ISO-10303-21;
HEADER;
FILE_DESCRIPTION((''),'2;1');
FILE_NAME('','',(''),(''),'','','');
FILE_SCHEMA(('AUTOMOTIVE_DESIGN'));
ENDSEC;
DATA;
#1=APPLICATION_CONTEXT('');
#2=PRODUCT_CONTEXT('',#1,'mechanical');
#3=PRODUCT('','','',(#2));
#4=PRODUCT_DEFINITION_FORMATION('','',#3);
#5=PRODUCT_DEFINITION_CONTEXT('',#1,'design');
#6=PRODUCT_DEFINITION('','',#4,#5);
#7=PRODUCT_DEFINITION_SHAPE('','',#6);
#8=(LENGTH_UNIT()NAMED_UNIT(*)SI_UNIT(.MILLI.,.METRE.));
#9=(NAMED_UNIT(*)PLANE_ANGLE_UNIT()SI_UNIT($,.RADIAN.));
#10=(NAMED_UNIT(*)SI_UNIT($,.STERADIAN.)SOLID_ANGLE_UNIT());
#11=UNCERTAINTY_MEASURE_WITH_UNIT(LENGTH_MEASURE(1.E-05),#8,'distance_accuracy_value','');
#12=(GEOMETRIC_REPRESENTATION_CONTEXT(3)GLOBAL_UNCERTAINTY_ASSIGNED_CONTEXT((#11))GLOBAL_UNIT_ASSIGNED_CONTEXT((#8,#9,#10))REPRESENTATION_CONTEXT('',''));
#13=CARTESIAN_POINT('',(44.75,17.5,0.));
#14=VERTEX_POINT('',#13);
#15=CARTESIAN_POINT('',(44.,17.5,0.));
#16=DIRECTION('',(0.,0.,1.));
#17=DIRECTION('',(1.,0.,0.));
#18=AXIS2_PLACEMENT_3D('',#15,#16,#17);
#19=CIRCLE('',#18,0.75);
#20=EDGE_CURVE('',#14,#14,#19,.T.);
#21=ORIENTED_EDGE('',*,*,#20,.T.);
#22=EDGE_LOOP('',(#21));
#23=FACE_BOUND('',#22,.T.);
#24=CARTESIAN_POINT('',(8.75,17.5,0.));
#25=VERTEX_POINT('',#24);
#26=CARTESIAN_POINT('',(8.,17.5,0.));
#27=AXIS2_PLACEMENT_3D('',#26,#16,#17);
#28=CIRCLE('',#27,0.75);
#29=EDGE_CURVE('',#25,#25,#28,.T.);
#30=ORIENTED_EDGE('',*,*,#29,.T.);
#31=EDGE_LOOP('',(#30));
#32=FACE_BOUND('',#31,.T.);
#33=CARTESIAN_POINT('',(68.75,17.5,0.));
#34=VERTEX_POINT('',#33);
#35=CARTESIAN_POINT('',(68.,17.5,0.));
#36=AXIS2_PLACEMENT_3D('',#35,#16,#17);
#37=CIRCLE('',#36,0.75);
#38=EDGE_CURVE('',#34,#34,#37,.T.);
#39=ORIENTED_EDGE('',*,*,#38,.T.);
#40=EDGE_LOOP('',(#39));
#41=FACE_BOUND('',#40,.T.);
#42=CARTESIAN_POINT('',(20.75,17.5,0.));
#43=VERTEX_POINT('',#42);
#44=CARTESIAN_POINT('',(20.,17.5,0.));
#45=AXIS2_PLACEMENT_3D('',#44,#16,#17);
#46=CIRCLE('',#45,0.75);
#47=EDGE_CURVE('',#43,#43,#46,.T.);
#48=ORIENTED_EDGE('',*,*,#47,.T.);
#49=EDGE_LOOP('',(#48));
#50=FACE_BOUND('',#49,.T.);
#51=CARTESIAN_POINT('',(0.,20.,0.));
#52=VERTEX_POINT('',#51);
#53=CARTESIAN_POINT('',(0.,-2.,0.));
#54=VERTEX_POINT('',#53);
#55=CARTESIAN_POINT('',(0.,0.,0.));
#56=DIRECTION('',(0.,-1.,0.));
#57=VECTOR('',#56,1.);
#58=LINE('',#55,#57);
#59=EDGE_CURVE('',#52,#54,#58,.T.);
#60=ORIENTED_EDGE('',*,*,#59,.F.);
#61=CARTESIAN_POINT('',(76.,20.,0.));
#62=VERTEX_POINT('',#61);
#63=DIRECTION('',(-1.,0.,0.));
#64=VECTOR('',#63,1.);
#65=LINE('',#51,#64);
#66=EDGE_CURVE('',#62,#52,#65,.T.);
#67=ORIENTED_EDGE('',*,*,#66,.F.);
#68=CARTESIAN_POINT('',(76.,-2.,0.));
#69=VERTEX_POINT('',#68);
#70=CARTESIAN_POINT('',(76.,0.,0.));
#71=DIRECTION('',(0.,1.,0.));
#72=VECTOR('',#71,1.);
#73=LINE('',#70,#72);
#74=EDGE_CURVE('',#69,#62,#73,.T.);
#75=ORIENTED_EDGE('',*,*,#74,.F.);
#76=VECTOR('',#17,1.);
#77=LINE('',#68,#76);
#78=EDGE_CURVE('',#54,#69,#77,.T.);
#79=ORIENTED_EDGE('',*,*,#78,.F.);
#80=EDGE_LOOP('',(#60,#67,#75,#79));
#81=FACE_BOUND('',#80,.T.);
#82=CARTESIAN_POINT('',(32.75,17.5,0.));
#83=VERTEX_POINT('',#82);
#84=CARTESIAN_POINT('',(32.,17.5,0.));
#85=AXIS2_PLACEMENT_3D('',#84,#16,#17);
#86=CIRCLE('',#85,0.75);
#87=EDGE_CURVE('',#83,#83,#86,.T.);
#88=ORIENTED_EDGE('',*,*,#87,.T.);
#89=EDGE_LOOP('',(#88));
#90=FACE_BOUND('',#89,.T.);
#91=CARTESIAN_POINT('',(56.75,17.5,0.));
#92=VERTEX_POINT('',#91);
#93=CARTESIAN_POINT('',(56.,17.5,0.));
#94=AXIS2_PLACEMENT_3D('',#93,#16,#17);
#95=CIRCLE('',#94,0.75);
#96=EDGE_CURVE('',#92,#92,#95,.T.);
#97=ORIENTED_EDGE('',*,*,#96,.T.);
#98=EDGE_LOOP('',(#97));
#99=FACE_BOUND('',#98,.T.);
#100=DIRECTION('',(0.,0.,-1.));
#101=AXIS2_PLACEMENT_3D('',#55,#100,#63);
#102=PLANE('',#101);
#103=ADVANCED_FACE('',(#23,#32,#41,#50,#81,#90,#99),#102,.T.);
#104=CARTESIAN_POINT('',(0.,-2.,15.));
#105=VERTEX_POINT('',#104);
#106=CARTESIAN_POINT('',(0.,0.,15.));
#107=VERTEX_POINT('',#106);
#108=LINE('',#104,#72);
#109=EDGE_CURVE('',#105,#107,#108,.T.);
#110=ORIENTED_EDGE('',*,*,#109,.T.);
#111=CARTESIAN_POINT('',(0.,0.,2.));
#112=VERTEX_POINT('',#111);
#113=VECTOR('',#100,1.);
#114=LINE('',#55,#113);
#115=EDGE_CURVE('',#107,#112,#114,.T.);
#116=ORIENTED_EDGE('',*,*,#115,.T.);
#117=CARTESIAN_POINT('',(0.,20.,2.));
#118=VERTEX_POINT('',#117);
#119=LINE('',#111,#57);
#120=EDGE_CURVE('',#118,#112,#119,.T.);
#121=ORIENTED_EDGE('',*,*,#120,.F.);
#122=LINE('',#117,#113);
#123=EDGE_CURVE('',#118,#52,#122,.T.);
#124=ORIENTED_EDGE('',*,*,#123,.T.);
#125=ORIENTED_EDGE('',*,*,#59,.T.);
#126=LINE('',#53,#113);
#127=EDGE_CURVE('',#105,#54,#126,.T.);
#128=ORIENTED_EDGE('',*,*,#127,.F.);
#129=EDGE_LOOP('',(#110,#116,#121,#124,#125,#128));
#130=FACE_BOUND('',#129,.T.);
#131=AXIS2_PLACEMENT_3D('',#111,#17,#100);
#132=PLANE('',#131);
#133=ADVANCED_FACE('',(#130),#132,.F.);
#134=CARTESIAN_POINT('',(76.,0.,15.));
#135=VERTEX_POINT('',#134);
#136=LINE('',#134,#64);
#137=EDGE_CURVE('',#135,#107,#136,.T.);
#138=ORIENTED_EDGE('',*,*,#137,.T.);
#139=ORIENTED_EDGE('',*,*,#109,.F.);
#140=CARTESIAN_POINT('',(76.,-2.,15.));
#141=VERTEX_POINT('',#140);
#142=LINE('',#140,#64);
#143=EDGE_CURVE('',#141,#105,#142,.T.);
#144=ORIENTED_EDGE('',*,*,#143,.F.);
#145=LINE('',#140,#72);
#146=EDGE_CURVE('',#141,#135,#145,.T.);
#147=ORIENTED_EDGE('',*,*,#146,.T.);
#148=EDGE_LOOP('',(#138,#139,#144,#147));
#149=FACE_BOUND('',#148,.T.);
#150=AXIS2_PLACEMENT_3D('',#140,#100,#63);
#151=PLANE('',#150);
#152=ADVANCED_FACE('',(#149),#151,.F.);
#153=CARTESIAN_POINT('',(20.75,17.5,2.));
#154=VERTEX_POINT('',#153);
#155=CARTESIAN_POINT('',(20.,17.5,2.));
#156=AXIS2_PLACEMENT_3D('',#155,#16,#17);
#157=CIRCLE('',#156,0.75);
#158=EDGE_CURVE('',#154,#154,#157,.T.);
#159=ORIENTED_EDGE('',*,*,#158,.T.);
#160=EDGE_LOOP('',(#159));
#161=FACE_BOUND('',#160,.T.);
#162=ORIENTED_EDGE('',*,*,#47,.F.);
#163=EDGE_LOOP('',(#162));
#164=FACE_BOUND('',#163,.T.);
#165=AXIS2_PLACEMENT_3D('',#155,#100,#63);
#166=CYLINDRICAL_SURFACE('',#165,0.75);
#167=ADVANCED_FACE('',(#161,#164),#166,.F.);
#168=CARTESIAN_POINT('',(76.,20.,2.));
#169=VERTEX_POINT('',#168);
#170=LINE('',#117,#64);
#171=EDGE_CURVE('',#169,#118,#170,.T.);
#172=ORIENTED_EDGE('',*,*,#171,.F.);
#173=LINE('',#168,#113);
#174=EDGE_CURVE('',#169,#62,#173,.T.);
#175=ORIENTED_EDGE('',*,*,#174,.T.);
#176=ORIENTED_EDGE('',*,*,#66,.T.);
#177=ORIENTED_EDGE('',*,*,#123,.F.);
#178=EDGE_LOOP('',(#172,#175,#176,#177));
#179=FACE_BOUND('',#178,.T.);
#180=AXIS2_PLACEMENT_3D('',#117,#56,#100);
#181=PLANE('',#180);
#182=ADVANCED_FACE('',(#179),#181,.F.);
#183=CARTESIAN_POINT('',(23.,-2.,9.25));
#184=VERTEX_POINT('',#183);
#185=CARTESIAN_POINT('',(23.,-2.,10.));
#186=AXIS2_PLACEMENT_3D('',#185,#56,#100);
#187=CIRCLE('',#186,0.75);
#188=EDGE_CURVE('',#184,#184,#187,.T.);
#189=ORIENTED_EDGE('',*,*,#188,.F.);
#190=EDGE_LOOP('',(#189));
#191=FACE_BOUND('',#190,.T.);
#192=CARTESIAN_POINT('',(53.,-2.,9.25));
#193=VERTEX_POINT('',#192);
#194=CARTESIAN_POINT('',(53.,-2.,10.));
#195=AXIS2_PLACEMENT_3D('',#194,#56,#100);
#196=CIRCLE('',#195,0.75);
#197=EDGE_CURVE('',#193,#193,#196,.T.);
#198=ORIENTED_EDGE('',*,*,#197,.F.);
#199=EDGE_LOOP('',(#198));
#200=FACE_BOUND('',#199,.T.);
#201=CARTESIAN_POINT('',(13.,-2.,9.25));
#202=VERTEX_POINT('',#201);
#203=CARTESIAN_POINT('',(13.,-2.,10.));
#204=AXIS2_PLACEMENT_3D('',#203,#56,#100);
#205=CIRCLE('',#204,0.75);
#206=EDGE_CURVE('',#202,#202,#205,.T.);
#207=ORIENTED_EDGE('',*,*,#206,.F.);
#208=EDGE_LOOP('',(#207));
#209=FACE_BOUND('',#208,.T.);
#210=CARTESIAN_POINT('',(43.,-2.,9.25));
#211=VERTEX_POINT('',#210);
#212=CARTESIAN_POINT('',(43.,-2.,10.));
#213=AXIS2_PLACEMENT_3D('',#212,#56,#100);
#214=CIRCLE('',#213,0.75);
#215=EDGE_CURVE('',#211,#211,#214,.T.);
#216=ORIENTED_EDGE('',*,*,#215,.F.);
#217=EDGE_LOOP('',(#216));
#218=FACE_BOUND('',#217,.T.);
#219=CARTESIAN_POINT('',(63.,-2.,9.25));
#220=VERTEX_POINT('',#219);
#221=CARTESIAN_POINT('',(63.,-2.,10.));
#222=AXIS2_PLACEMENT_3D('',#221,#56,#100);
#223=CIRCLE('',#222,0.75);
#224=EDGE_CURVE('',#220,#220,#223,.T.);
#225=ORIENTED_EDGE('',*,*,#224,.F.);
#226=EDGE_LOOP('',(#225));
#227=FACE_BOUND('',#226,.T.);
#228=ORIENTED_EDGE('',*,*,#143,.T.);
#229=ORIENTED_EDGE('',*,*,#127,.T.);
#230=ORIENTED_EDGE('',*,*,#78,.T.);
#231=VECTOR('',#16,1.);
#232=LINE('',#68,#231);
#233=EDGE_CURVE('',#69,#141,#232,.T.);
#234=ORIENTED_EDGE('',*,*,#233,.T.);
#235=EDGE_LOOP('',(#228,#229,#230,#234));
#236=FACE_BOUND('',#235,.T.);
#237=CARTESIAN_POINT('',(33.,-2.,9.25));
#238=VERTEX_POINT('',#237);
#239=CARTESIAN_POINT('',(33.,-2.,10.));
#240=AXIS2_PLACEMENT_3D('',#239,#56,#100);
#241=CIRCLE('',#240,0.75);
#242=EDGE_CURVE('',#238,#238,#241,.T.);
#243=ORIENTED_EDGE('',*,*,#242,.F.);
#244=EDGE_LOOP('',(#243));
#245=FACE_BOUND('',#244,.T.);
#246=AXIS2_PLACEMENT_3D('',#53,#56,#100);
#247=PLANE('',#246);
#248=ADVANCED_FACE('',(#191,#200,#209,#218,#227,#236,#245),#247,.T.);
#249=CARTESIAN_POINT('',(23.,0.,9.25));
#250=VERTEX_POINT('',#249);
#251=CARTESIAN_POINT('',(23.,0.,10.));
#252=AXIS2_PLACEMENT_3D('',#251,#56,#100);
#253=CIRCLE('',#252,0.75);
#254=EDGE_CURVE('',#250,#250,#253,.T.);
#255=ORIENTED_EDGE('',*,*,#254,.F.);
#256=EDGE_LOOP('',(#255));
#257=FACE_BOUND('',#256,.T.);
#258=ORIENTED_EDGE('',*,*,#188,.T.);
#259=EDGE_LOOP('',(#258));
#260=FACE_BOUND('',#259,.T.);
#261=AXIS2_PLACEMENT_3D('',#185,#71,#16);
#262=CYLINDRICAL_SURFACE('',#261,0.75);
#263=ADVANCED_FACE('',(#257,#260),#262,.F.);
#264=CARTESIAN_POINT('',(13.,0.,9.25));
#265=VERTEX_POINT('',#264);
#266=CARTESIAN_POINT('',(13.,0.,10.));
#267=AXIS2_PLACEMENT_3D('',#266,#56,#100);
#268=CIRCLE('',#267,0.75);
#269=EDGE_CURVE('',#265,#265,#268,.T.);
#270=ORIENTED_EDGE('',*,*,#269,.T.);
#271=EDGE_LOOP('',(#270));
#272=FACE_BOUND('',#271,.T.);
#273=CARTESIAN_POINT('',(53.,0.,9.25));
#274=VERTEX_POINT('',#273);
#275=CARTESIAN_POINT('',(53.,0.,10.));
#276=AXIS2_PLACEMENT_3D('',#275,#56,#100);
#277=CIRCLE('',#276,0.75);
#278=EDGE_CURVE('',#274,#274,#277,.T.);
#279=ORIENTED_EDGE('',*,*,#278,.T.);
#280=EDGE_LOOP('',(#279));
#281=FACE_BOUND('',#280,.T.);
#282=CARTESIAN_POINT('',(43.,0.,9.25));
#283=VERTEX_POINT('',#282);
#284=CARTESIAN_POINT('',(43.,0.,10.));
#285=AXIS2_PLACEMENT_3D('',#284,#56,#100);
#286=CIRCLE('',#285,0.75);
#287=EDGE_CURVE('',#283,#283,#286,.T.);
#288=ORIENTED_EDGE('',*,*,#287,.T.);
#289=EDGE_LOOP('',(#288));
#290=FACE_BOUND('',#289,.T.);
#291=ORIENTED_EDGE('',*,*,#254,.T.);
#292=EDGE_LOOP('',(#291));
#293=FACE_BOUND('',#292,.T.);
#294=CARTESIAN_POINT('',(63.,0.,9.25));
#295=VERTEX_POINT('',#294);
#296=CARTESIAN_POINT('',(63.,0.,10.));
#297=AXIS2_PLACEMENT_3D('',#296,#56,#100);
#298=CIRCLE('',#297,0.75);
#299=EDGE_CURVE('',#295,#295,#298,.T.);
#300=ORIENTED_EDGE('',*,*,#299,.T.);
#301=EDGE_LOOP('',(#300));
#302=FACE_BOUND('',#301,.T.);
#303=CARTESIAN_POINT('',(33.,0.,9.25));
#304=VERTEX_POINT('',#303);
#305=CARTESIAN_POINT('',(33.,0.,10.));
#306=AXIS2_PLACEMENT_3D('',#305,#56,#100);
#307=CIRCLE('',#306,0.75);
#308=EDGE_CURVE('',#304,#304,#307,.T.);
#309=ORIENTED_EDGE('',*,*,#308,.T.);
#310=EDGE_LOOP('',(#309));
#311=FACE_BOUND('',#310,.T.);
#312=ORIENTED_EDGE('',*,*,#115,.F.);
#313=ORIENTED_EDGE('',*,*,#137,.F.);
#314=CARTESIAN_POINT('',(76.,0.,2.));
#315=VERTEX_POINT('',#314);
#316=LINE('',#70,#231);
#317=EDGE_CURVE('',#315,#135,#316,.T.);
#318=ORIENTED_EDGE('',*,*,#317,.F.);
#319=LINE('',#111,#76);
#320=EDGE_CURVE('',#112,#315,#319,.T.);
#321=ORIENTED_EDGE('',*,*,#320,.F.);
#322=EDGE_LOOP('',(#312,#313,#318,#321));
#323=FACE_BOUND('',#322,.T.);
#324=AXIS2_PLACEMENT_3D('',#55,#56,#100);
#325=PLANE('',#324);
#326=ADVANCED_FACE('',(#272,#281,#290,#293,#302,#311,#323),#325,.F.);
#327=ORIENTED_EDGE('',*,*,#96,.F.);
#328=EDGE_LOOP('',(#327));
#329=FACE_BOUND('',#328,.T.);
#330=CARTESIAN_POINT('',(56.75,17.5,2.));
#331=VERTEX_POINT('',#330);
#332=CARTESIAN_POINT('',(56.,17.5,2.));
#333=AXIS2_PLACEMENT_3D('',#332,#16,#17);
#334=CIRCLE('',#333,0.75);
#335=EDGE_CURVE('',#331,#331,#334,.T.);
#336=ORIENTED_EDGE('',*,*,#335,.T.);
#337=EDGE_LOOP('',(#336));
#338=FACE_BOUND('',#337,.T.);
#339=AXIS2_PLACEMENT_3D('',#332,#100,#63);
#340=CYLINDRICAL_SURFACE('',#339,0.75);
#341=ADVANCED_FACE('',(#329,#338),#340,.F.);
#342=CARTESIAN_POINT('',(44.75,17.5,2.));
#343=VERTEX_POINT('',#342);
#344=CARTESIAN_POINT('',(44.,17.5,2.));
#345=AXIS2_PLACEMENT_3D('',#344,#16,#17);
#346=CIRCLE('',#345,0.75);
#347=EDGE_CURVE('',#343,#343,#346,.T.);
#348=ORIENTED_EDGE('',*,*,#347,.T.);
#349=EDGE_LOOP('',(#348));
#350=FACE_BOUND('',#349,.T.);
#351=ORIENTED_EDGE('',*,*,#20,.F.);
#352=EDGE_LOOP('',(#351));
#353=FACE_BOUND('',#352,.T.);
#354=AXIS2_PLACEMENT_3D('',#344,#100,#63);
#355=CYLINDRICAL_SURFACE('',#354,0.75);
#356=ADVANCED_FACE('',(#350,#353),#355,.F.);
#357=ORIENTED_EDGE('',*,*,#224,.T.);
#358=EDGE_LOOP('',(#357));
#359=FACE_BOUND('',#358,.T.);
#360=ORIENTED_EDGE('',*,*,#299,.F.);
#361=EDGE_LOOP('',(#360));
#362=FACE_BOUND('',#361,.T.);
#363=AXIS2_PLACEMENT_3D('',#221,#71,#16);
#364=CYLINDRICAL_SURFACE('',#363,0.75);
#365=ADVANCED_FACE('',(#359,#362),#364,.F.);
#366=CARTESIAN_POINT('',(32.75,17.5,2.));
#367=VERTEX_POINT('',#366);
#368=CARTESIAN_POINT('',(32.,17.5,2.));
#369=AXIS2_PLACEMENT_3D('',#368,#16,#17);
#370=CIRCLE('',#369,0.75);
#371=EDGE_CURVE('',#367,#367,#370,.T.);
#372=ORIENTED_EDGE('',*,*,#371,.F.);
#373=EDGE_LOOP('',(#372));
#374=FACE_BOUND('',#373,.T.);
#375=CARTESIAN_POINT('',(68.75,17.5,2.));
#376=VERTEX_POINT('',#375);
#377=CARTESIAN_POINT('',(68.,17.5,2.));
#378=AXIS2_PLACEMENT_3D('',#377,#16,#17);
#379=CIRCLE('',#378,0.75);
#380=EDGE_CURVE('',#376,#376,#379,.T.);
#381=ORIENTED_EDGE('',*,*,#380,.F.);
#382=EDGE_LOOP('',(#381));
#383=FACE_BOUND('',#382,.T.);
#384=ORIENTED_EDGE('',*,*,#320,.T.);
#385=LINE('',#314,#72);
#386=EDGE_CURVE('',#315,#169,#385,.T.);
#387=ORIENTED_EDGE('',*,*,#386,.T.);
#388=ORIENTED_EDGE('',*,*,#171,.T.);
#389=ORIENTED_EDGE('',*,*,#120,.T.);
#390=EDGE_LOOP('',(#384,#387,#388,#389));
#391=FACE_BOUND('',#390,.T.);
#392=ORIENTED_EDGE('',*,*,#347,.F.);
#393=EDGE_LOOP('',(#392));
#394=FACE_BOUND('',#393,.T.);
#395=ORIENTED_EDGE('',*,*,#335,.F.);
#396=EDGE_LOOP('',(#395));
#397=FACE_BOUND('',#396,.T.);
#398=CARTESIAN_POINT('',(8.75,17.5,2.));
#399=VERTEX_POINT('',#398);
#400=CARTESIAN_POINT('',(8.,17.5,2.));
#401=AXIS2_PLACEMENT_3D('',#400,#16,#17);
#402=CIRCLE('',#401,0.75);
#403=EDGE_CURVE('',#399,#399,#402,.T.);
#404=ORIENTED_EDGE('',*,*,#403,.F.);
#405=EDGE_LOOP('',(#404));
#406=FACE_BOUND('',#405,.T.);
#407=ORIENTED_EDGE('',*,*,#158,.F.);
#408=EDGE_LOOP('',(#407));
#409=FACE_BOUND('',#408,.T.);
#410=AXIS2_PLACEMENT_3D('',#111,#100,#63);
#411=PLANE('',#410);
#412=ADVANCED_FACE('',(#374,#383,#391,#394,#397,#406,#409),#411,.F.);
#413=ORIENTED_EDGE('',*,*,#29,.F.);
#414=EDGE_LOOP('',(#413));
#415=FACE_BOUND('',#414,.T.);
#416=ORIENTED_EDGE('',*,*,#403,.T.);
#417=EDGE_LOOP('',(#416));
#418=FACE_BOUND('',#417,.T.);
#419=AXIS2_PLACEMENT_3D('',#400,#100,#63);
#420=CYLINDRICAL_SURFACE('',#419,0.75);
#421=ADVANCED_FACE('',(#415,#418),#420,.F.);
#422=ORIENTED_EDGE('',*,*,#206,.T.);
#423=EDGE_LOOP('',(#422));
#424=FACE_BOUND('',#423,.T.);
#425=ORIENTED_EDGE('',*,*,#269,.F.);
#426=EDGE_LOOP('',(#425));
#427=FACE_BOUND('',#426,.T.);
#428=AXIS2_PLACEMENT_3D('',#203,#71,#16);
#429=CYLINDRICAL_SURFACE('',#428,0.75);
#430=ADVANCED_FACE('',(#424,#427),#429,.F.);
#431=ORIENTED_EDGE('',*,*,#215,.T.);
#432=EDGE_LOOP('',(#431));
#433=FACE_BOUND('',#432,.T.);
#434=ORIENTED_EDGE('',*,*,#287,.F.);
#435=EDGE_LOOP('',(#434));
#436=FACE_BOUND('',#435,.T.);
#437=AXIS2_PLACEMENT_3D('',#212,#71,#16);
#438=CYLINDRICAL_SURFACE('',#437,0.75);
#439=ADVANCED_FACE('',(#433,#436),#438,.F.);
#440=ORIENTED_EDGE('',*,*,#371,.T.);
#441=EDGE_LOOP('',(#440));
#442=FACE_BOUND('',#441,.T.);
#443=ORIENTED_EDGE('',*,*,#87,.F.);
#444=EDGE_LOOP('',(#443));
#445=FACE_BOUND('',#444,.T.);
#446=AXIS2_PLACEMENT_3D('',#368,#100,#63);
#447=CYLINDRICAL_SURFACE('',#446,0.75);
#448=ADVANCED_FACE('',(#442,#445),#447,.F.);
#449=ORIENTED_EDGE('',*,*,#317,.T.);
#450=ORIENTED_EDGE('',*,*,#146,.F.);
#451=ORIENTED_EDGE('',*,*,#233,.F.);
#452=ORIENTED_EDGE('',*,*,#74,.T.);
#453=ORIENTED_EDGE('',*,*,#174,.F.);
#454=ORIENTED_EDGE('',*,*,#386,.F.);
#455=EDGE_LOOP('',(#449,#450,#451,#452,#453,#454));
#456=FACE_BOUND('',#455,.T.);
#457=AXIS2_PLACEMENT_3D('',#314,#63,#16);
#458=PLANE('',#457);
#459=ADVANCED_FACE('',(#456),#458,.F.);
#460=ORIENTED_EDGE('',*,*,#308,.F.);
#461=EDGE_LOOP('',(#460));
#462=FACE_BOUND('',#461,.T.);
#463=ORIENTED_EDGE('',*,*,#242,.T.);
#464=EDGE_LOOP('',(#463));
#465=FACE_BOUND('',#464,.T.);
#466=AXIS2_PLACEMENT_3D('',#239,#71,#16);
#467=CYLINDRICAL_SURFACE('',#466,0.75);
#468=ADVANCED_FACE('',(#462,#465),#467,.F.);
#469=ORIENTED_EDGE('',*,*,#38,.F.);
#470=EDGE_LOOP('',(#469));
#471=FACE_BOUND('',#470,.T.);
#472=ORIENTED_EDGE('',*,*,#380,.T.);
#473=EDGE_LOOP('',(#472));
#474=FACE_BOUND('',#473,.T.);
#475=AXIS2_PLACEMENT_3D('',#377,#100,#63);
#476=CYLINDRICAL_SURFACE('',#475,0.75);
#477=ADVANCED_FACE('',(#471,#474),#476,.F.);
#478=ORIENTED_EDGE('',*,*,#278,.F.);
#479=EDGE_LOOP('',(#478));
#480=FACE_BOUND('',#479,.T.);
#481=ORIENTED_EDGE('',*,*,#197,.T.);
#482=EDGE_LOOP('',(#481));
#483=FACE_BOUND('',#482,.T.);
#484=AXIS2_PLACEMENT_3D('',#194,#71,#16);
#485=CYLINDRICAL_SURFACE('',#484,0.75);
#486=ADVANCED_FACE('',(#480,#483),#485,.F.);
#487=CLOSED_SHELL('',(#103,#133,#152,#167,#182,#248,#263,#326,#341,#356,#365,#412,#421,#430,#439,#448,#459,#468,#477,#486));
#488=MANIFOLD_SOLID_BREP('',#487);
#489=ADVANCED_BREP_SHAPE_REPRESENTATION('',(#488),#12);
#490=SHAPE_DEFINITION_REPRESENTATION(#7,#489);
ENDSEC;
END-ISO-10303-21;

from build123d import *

# Parameters (mm, degrees)
SKETCH2_W           = 76
SKETCH2_H           = 20
SKETCH2_R           = 0.75
BOSS_EXTRUDE1_DEPTH = 2
SKETCH3_W           = 76
SKETCH3_H           = 15
SKETCH3_R           = 0.75
BOSS_EXTRUDE2_DEPTH = 2


with BuildPart() as part:
    # Sketch2 → Boss-Extrude1 (new body)
    with BuildSketch(Plane.XY):
        with Locations((38, 10)):
            Rectangle(SKETCH2_W, SKETCH2_H)
        with Locations((44, 17.5)):
            Circle(SKETCH2_R, mode=Mode.SUBTRACT)
        with Locations((56, 17.5)):
            Circle(SKETCH2_R, mode=Mode.SUBTRACT)
        with Locations((68, 17.5)):
            Circle(SKETCH2_R, mode=Mode.SUBTRACT)
        with Locations((32, 17.5)):
            Circle(SKETCH2_R, mode=Mode.SUBTRACT)
        with Locations((20, 17.5)):
            Circle(SKETCH2_R, mode=Mode.SUBTRACT)
        with Locations((8, 17.5)):
            Circle(SKETCH2_R, mode=Mode.SUBTRACT)
    extrude(amount=BOSS_EXTRUDE1_DEPTH)

    # Sketch3 → Boss-Extrude2 (add)
    with BuildSketch(Plane(origin=(0, 0, 0), x_dir=(-1, 0, 0), z_dir=(0, -1, 0))):
        with Locations((-38, -7.5)):
            Rectangle(SKETCH3_W, SKETCH3_H)
        with Locations((-13, -10)):
            Circle(SKETCH3_R, mode=Mode.SUBTRACT)
        with Locations((-23, -10)):
            Circle(SKETCH3_R, mode=Mode.SUBTRACT)
        with Locations((-33, -10)):
            Circle(SKETCH3_R, mode=Mode.SUBTRACT)
        with Locations((-43, -10)):
            Circle(SKETCH3_R, mode=Mode.SUBTRACT)
        with Locations((-53, -10)):
            Circle(SKETCH3_R, mode=Mode.SUBTRACT)
        with Locations((-63, -10)):
            Circle(SKETCH3_R, mode=Mode.SUBTRACT)
    extrude(amount=BOSS_EXTRUDE2_DEPTH)


solid = part.part
